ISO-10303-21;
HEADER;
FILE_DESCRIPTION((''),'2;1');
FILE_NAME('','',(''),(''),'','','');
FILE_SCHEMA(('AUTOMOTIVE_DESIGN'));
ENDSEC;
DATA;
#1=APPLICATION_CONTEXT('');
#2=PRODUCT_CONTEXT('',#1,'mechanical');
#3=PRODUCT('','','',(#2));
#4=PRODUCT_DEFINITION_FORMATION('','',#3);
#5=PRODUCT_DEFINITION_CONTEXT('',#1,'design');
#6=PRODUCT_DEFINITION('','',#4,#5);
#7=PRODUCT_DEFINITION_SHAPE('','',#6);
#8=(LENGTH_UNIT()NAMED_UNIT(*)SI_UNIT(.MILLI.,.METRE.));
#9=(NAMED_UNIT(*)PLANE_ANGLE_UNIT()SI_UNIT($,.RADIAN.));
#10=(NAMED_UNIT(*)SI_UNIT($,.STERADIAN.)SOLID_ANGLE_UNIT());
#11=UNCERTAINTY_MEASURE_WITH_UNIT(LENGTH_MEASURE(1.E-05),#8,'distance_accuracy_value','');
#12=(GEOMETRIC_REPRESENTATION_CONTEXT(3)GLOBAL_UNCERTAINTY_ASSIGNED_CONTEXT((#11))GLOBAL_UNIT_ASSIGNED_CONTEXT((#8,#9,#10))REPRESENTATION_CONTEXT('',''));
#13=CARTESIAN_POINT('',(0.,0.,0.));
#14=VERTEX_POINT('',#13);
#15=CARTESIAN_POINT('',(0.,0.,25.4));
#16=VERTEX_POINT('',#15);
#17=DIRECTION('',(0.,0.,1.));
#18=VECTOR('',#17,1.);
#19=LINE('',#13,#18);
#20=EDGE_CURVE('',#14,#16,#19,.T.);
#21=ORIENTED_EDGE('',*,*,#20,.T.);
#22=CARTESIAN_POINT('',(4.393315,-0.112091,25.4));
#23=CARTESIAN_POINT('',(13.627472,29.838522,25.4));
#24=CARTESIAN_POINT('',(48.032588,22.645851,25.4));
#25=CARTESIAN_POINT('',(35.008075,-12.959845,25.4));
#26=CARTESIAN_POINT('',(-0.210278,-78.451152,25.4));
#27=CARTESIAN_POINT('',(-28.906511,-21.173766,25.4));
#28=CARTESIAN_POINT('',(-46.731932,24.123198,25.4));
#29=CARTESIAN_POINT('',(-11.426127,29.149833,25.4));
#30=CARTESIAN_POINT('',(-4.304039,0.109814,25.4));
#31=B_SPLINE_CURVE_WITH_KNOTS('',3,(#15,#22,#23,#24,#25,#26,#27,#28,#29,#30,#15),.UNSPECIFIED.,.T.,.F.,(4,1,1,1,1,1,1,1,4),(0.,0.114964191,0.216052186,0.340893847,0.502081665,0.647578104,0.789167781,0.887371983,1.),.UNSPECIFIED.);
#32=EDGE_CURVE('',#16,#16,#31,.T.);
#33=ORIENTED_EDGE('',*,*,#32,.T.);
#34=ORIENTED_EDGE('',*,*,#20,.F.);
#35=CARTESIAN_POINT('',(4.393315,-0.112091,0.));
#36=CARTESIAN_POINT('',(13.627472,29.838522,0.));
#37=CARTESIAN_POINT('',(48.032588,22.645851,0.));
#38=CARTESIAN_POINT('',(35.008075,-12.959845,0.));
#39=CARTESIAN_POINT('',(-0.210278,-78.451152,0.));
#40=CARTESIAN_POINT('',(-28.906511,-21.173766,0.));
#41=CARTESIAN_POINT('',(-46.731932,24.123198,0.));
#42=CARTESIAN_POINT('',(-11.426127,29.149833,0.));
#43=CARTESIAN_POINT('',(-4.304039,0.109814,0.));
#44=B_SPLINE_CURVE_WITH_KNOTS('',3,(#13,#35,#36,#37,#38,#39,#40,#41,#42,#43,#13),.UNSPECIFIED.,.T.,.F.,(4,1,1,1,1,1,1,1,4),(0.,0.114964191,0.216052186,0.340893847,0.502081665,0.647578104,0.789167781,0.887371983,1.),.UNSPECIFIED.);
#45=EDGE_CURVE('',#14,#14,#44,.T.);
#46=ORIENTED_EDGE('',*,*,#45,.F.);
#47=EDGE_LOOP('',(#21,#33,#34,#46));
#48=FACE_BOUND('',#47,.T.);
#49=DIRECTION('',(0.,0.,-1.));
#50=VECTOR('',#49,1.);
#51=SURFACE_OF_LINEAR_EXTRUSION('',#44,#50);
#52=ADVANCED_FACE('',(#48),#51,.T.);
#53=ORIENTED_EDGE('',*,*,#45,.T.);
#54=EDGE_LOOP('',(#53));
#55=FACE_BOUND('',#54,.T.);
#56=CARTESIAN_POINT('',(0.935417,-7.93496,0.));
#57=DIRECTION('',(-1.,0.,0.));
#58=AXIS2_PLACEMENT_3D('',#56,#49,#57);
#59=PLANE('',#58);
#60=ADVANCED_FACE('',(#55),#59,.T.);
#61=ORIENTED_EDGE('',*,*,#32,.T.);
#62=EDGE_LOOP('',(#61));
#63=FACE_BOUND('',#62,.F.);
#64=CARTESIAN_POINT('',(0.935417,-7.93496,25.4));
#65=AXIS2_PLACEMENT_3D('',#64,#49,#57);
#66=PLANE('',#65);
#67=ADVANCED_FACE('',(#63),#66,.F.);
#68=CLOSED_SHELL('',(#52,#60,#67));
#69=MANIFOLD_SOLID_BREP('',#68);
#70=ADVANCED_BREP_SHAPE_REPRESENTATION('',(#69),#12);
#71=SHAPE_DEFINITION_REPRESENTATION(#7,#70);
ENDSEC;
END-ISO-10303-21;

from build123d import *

# Parameters (mm, degrees)
F1_DEPTH = 25.4


with BuildPart() as f1:
    # F0 (on Top) → F1 (new body)
    with BuildSketch(Plane.XY):
        with BuildLine():
            add(Edge.make_bspline(
                [(0, 0), (4.3933145702, -0.1120914895), (13.6274721117, 29.838521997), (48.0325876156, 22.6458507937), (35.0080749169, -12.9598445145), (-0.21027845, -78.4511523976), (-28.9065110348, -21.1737659642), (-46.7319322029, 24.1231982435), (-11.4261267001, 29.1498327275), (-4.3040385439, 0.1098136916), (0, 0)],
                knots=[0, 0, 0, 0, 0.1149641911, 0.2160521857, 0.3408938474, 0.5020816647, 0.6475781038, 0.789167781, 0.8873719827, 1, 1, 1, 1], degree=3))
        make_face()
    extrude(amount=F1_DEPTH)


solid = f1.part
